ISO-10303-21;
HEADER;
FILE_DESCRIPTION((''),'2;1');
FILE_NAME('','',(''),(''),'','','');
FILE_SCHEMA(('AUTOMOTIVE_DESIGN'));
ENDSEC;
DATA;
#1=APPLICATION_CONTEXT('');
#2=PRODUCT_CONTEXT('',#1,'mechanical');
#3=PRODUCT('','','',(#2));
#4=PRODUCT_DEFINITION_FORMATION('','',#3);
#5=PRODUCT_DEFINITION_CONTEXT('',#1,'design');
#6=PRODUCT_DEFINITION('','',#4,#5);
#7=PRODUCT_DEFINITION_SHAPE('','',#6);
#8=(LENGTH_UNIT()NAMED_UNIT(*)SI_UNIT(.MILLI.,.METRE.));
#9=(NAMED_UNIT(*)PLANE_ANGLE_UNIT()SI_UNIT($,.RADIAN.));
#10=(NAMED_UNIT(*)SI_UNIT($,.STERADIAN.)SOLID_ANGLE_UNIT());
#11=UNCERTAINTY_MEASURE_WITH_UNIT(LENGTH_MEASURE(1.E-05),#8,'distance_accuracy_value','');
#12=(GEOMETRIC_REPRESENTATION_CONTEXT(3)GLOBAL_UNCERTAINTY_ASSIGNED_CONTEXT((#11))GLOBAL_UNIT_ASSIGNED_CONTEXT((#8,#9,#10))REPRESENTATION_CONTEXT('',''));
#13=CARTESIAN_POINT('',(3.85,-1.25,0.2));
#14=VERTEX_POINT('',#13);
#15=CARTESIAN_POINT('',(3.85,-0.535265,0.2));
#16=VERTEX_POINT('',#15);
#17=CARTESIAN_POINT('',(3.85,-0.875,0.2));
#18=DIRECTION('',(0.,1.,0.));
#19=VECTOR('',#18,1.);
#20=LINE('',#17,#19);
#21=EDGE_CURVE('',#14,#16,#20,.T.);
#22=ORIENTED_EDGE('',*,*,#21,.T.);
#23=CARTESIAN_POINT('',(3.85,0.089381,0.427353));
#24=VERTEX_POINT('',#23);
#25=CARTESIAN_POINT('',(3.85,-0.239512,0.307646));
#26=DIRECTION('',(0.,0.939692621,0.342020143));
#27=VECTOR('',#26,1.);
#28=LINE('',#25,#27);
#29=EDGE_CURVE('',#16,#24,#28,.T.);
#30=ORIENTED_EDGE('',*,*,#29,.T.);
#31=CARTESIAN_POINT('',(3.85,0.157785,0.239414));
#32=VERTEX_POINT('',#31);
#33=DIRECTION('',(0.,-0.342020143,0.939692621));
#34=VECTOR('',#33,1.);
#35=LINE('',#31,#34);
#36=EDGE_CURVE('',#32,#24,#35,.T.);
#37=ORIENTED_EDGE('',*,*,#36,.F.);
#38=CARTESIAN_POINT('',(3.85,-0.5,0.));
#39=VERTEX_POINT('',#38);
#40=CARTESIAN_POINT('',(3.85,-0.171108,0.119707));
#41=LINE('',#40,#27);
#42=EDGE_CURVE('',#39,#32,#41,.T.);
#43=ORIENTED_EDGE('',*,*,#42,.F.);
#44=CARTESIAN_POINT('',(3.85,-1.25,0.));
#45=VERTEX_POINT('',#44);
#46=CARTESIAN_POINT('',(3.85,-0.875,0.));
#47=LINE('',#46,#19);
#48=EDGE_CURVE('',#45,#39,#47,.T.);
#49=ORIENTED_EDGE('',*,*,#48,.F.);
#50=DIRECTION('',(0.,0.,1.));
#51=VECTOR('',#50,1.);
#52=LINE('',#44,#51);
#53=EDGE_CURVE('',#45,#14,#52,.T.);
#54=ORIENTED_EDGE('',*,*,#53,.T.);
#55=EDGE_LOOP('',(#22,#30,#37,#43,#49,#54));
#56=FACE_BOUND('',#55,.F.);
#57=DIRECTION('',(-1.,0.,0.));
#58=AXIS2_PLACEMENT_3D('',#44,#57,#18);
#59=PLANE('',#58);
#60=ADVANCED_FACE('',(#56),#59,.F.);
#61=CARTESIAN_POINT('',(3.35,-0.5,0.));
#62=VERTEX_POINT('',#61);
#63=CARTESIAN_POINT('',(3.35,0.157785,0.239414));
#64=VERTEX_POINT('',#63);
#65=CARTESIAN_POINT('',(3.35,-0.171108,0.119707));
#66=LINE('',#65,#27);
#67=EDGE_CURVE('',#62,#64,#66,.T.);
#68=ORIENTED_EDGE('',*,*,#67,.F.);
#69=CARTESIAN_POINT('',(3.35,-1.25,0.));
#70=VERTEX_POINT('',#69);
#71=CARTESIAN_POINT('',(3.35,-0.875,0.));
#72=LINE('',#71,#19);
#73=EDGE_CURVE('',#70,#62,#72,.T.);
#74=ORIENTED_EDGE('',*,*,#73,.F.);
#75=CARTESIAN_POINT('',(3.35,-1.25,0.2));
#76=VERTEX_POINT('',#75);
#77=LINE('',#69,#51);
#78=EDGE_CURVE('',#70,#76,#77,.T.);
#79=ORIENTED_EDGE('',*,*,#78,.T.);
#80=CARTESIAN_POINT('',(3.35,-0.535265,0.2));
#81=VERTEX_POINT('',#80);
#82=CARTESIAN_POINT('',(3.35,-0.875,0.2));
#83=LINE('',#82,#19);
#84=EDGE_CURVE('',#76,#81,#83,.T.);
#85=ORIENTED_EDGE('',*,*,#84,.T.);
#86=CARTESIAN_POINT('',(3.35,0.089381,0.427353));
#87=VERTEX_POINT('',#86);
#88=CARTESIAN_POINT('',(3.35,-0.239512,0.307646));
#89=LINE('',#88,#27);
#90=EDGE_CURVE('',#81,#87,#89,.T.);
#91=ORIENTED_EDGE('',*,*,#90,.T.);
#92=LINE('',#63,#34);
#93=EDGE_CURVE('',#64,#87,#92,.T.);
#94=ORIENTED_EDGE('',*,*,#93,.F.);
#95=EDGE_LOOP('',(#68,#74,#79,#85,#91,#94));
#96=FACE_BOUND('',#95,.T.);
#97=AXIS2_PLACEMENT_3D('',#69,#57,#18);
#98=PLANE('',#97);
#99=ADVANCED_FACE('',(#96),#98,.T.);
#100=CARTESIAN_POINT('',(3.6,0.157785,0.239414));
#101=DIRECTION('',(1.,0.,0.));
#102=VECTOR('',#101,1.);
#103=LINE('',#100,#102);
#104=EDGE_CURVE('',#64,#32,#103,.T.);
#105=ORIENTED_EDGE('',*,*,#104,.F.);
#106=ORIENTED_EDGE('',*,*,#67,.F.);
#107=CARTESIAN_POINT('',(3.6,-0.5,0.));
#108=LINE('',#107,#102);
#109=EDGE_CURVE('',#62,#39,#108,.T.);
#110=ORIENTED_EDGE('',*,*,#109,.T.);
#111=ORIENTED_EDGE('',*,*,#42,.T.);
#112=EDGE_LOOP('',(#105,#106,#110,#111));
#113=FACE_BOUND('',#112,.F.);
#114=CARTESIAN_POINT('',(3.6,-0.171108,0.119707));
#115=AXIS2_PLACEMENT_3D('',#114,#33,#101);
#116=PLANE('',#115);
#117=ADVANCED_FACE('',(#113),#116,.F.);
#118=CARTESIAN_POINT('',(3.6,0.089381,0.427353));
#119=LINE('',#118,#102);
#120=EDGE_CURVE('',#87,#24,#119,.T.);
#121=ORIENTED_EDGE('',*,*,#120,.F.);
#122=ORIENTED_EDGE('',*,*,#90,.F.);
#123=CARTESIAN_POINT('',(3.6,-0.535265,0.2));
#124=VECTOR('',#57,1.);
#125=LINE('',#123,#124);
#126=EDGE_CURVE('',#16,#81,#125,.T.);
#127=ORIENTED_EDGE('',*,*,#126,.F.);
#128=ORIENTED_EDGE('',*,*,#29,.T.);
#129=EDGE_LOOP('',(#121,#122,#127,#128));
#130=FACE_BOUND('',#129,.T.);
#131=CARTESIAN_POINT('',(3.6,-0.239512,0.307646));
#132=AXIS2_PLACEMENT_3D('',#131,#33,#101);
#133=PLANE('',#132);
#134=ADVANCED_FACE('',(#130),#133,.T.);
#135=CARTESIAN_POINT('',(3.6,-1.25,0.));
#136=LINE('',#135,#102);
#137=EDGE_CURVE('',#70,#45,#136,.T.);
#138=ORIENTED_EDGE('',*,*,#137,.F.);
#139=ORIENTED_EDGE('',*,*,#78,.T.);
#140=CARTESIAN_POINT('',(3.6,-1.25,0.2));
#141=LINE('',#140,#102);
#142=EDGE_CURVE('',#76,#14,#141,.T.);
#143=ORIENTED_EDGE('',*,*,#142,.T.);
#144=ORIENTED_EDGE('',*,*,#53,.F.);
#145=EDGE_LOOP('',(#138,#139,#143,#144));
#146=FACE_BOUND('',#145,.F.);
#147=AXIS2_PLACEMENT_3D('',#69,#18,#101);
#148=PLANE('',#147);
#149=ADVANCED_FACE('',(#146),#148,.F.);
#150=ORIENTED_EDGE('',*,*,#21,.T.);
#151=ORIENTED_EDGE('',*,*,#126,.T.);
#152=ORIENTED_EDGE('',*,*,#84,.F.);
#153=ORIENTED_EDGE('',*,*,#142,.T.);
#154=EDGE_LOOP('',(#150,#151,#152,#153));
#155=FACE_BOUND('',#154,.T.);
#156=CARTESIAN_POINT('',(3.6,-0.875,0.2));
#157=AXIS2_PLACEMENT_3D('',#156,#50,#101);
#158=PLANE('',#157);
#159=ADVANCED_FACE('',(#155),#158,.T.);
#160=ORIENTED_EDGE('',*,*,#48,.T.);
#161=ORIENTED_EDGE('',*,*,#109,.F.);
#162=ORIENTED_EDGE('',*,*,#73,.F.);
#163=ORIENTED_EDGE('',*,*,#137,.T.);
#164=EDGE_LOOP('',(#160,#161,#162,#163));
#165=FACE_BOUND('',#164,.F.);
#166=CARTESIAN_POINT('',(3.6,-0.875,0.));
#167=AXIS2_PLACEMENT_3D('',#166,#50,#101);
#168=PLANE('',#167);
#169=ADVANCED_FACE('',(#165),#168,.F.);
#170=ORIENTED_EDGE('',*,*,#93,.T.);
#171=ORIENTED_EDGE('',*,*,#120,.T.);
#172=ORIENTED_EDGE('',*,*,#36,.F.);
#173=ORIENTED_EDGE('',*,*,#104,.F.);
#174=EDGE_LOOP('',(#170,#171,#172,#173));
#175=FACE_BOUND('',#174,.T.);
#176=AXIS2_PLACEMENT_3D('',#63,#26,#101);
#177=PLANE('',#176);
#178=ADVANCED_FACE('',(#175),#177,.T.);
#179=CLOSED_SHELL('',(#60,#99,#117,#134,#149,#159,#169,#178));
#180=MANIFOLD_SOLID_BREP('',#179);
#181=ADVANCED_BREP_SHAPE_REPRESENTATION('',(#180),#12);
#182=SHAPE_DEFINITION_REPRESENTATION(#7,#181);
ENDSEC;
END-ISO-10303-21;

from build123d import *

# Parameters (mm, degrees)
BOX001_W               = 0.5
BOX001_H               = 0.75
BOX001_DEPTH           = 0.2
BOX002_W               = 0.5
BOX002_H               = 0.7
BOX002_DEPTH           = 0.2
BOX002_PLACEMENT_ANGLE = 20


with BuildPart() as cube001:
    # Box001 → Box001 (new body)
    with BuildSketch(Plane(origin=(0, -1.25, 0), x_dir=(1, 0, 0), z_dir=(0, 0, 1))):
        with Locations((0.25, 0.375)):
            Rectangle(BOX001_W, BOX001_H)
    extrude(amount=BOX001_DEPTH)


with BuildPart() as fusion:
    # Box002 → Box002 (new body)
    with BuildSketch(Plane.XY):
        with Locations((0.25, 0.35)):
            Rectangle(BOX002_W, BOX002_H)
    extrude(amount=BOX002_DEPTH)


with BuildPart() as fusion_1:
    # Box002 placement: moved
    add(fusion.part.moved(Location((0, -0.5, 0))).rotate(Axis((0, -0.5, 0), (1, 0, 0)), BOX002_PLACEMENT_ANGLE))

    # Fusion: union Cube001
    add(cube001.part)


with BuildPart() as fusion_2:
    # Fusion placement: moved
    add(fusion_1.part.moved(Location((3.35, 0, 0))))


solid = fusion_2.part
